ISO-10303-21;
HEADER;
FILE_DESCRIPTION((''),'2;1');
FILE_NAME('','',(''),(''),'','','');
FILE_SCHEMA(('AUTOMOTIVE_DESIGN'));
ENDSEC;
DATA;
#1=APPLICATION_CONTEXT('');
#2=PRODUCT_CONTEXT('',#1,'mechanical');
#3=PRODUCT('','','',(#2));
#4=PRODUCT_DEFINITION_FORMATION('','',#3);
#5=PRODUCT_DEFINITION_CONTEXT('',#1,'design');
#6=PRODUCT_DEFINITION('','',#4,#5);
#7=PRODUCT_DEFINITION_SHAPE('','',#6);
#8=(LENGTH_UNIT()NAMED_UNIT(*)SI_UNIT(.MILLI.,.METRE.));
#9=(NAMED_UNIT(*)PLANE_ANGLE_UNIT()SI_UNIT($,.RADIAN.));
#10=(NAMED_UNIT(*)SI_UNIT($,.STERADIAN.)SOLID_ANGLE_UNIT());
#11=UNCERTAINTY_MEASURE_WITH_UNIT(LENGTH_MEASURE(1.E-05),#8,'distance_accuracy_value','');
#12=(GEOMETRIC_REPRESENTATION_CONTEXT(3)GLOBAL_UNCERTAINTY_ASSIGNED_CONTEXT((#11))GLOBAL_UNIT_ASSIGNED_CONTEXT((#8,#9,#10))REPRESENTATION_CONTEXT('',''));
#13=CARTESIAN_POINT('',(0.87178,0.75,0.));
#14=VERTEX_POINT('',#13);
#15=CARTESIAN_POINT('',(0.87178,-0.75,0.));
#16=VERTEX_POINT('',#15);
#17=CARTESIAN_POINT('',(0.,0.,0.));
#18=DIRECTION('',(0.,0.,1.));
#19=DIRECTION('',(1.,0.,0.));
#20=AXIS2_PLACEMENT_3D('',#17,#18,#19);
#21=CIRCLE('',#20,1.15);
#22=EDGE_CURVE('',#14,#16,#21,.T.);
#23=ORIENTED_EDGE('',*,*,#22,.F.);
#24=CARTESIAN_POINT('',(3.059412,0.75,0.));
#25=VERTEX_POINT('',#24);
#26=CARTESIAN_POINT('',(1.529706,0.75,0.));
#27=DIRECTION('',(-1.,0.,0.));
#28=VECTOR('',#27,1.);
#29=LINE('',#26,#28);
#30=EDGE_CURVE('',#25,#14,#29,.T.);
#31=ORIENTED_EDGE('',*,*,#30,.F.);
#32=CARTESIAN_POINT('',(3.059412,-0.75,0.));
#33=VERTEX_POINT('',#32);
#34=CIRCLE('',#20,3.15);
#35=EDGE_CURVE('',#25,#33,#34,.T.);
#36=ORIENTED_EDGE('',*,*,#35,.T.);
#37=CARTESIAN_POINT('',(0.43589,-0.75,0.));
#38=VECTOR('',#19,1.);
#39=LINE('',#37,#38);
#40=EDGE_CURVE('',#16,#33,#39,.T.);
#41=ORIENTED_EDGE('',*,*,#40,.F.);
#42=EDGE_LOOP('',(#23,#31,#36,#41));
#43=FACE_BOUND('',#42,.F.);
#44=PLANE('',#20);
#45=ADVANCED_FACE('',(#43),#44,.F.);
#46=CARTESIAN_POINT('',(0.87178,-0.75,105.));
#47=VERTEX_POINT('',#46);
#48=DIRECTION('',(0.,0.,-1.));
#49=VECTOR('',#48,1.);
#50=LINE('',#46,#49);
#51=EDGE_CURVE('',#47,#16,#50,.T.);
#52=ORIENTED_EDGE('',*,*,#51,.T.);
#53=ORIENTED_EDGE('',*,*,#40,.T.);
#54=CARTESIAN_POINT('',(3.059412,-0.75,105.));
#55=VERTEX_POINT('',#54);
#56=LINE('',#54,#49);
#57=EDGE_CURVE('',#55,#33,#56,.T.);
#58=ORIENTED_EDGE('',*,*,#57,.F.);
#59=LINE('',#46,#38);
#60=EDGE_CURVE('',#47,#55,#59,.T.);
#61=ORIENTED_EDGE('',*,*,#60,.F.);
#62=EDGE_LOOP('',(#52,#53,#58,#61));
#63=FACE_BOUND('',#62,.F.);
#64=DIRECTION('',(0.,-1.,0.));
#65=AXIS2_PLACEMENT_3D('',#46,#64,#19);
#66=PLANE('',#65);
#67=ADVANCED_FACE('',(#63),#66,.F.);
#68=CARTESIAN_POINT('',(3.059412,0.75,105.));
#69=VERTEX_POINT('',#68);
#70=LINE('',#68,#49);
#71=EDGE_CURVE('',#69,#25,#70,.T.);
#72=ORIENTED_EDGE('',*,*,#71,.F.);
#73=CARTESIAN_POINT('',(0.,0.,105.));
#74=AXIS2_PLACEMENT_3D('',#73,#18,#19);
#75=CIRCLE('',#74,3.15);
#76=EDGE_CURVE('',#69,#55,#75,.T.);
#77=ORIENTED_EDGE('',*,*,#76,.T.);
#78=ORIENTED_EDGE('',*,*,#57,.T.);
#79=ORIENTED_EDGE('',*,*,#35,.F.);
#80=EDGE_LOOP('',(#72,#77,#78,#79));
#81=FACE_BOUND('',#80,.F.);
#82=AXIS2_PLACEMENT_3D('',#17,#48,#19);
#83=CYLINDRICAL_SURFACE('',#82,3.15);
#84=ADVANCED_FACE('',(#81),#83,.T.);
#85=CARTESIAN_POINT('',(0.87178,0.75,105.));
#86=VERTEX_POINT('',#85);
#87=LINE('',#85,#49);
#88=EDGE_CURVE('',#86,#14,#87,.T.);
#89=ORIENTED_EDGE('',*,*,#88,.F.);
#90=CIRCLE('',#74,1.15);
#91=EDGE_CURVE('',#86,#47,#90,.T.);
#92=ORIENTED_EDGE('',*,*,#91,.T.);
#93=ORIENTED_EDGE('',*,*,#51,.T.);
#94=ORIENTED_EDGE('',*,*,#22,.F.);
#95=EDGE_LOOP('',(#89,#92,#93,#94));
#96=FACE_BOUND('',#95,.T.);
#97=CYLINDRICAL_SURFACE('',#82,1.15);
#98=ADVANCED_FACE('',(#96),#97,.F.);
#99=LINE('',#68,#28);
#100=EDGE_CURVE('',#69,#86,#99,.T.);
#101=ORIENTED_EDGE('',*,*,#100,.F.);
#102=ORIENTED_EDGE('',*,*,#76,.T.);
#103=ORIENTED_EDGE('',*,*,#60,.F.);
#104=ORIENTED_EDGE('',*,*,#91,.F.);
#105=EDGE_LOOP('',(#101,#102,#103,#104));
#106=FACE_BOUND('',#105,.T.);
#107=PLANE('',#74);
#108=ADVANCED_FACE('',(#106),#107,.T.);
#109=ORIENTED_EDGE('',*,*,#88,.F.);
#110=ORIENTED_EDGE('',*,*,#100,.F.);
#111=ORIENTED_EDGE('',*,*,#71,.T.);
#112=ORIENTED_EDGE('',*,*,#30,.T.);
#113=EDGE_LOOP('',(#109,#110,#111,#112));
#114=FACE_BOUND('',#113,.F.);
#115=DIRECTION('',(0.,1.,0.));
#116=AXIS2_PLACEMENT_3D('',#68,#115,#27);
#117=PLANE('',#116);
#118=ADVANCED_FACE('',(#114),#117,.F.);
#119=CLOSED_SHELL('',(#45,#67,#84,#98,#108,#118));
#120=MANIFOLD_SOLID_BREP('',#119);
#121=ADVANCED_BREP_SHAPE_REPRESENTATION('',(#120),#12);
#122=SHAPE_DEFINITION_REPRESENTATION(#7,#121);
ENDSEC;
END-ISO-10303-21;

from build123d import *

# Parameters (mm, degrees)
F0_R     = 3.15
F0_R_2   = 1.15
F1_DEPTH = 105
F3_DEPTH = 105.001


with BuildPart() as f1:
    # F0 (on Top) → F1 (new body)
    with BuildSketch(Plane.XY):
        Circle(F0_R)
        Circle(F0_R_2, mode=Mode.SUBTRACT)
    extrude(amount=F1_DEPTH)

    # F2 (on face) → F3 (cut, through all)
    with BuildSketch(Plane.XY.offset(105)):
        with BuildLine():
            ThreePointArc((1.15, 0), (1.0782037741, -0.3999707758), (0.8717797887, -0.75))
            Line((0.8717797887, -0.75), (3.0594117082, -0.75))
            ThreePointArc((3.0594117082, -0.75), (3.1272709253, -0.3777255083), (3.15, 0))
            ThreePointArc((3.15, 0), (3.1272709253, 0.3777255083), (3.0594117082, 0.75))
            Line((3.0594117082, 0.75), (0.8717797887, 0.75))
            ThreePointArc((0.8717797887, 0.75), (1.0782037741, 0.3999707758), (1.15, 0))
        make_face()
    extrude(amount=-F3_DEPTH, mode=Mode.SUBTRACT)


solid = f1.part
